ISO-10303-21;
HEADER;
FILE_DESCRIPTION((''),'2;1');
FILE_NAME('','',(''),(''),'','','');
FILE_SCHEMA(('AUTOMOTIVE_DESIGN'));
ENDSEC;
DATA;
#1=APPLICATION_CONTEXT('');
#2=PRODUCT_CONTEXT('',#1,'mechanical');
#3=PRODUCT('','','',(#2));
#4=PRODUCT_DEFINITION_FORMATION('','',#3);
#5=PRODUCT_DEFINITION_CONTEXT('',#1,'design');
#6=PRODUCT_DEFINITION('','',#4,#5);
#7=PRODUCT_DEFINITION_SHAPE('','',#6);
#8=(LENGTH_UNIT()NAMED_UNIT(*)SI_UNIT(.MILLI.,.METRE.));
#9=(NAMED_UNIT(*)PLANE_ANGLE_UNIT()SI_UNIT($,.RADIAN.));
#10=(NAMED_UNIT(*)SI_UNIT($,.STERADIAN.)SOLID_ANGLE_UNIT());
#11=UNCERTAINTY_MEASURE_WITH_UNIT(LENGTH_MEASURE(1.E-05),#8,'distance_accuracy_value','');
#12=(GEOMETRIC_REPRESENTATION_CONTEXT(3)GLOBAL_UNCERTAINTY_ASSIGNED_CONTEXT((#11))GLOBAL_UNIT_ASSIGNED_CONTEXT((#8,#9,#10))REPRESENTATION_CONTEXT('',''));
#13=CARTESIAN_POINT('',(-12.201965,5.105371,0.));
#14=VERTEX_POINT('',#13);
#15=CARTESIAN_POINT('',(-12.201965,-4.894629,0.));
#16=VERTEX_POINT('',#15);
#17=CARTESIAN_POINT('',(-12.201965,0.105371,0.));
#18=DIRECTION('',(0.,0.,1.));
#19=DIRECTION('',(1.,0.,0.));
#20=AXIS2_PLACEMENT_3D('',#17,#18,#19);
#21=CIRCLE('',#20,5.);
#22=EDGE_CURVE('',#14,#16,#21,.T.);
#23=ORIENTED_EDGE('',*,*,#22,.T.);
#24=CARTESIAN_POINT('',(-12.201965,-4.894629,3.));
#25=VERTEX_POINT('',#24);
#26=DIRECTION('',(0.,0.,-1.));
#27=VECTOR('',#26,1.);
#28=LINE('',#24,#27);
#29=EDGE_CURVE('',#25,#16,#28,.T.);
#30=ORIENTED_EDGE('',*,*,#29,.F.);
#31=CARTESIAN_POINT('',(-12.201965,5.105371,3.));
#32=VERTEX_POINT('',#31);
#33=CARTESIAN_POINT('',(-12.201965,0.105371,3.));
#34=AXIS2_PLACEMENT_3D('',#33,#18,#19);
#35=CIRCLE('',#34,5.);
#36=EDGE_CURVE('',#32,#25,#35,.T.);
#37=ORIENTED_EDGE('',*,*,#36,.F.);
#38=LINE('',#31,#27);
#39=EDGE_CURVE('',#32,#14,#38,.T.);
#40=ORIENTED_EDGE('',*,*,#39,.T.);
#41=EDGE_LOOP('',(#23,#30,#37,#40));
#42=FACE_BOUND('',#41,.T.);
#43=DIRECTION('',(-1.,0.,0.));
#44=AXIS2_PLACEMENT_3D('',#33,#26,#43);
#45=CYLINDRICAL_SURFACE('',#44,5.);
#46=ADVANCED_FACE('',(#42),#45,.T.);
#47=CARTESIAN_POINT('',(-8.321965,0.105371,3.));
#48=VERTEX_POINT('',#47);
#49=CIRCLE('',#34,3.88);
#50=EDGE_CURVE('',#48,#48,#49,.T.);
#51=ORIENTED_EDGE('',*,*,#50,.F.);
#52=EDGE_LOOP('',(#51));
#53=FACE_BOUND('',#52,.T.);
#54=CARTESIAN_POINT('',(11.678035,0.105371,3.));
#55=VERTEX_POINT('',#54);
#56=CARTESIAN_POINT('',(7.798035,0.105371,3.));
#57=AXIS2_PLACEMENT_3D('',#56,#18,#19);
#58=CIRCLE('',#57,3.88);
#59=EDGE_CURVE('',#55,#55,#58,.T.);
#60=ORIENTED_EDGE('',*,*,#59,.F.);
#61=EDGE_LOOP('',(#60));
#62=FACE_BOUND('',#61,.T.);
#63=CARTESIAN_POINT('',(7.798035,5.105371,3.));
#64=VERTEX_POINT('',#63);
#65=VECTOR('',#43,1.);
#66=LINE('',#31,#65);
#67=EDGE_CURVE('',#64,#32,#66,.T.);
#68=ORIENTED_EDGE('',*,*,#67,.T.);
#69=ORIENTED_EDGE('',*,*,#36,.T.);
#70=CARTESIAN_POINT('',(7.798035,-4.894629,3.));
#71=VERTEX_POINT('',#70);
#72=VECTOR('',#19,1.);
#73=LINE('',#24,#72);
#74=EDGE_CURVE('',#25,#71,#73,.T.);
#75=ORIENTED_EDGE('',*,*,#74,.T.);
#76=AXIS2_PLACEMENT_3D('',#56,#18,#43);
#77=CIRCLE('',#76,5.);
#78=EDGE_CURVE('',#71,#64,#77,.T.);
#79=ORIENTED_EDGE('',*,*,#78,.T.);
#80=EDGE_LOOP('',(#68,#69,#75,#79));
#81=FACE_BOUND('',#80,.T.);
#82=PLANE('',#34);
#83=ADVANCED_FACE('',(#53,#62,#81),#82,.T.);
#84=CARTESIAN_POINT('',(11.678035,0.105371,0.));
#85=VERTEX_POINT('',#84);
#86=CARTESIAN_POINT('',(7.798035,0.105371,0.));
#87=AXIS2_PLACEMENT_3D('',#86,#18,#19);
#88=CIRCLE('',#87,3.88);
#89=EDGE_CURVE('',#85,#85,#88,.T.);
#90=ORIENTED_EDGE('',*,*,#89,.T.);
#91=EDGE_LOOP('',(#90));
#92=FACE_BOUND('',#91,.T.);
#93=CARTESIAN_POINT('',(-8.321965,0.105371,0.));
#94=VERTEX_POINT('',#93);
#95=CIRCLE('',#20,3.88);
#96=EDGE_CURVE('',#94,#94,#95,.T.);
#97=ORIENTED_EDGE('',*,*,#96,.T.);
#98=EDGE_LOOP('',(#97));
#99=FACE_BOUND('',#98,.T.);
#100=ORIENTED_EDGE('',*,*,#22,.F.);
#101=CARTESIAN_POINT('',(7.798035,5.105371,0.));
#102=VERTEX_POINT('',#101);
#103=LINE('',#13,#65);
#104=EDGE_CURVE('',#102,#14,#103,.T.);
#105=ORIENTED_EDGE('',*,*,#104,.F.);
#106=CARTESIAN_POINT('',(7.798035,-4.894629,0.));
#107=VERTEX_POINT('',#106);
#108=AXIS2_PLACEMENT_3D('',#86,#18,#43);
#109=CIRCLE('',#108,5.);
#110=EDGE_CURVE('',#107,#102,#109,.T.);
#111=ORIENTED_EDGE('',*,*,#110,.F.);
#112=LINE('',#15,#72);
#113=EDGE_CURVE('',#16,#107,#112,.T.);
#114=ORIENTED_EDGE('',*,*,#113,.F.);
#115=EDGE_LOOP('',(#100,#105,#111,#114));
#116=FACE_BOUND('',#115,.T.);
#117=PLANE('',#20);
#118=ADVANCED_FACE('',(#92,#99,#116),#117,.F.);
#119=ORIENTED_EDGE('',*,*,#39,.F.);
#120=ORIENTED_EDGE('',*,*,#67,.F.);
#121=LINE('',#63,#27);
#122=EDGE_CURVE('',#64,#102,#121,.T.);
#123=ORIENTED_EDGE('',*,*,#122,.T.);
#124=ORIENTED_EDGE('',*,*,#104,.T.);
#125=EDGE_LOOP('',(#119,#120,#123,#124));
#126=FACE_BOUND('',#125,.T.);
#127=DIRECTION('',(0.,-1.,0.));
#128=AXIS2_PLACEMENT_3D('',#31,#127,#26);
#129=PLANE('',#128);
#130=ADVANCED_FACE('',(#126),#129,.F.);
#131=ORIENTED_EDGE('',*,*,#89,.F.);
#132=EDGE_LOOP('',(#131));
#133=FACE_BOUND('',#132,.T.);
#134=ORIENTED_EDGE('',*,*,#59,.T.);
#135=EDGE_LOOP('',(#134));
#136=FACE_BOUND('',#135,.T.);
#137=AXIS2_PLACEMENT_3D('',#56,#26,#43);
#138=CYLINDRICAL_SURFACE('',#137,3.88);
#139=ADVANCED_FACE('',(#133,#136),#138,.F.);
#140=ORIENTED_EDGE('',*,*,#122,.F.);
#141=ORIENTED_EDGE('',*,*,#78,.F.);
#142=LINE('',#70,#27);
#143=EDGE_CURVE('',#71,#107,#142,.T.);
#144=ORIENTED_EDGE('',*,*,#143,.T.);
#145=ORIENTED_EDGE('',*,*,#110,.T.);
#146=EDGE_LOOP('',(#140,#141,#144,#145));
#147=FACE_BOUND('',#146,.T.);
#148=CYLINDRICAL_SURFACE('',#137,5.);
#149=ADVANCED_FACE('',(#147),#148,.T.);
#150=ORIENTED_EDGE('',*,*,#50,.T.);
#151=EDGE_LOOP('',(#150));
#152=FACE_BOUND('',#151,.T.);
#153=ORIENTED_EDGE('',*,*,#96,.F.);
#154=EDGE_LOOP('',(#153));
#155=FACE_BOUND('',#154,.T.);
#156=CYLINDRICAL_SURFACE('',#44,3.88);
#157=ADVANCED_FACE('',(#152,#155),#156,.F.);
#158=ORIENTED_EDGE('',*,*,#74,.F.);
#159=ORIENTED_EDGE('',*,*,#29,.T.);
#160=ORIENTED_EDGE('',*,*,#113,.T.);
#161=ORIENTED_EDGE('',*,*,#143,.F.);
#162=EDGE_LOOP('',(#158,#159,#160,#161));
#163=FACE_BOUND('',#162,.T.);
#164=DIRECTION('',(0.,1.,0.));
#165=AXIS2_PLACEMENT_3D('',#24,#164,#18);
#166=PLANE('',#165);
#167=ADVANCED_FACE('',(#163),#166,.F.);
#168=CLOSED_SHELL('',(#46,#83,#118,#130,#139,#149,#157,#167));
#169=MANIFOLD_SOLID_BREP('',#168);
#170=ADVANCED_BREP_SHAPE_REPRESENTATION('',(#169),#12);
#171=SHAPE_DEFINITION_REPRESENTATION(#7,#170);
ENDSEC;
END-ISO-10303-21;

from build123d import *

# Parameters (mm, degrees)
SKETCH1_R           = 3.88
BOSS_EXTRUDE1_DEPTH = 3


with BuildPart() as part:
    # Sketch1 → Boss-Extrude1 (new body)
    with BuildSketch(Plane.XY):
        with BuildLine():
            Line((-12.201965406, -4.894629499), (7.798034594, -4.894629499))
            ThreePointArc((7.798034594, -4.894629499), (12.798034594, 0.105370501), (7.798034594, 5.105370501))
            Line((7.798034594, 5.105370501), (-12.201965406, 5.105370501))
            ThreePointArc((-12.201965406, 5.105370501), (-17.201965406, 0.105370501), (-12.201965406, -4.894629499))
        make_face()
        with Locations((-12.201965406, 0.105370501)):
            Circle(SKETCH1_R, mode=Mode.SUBTRACT)
        with Locations((7.798034594, 0.105370501)):
            Circle(SKETCH1_R, mode=Mode.SUBTRACT)
    extrude(amount=BOSS_EXTRUDE1_DEPTH)


solid = part.part
